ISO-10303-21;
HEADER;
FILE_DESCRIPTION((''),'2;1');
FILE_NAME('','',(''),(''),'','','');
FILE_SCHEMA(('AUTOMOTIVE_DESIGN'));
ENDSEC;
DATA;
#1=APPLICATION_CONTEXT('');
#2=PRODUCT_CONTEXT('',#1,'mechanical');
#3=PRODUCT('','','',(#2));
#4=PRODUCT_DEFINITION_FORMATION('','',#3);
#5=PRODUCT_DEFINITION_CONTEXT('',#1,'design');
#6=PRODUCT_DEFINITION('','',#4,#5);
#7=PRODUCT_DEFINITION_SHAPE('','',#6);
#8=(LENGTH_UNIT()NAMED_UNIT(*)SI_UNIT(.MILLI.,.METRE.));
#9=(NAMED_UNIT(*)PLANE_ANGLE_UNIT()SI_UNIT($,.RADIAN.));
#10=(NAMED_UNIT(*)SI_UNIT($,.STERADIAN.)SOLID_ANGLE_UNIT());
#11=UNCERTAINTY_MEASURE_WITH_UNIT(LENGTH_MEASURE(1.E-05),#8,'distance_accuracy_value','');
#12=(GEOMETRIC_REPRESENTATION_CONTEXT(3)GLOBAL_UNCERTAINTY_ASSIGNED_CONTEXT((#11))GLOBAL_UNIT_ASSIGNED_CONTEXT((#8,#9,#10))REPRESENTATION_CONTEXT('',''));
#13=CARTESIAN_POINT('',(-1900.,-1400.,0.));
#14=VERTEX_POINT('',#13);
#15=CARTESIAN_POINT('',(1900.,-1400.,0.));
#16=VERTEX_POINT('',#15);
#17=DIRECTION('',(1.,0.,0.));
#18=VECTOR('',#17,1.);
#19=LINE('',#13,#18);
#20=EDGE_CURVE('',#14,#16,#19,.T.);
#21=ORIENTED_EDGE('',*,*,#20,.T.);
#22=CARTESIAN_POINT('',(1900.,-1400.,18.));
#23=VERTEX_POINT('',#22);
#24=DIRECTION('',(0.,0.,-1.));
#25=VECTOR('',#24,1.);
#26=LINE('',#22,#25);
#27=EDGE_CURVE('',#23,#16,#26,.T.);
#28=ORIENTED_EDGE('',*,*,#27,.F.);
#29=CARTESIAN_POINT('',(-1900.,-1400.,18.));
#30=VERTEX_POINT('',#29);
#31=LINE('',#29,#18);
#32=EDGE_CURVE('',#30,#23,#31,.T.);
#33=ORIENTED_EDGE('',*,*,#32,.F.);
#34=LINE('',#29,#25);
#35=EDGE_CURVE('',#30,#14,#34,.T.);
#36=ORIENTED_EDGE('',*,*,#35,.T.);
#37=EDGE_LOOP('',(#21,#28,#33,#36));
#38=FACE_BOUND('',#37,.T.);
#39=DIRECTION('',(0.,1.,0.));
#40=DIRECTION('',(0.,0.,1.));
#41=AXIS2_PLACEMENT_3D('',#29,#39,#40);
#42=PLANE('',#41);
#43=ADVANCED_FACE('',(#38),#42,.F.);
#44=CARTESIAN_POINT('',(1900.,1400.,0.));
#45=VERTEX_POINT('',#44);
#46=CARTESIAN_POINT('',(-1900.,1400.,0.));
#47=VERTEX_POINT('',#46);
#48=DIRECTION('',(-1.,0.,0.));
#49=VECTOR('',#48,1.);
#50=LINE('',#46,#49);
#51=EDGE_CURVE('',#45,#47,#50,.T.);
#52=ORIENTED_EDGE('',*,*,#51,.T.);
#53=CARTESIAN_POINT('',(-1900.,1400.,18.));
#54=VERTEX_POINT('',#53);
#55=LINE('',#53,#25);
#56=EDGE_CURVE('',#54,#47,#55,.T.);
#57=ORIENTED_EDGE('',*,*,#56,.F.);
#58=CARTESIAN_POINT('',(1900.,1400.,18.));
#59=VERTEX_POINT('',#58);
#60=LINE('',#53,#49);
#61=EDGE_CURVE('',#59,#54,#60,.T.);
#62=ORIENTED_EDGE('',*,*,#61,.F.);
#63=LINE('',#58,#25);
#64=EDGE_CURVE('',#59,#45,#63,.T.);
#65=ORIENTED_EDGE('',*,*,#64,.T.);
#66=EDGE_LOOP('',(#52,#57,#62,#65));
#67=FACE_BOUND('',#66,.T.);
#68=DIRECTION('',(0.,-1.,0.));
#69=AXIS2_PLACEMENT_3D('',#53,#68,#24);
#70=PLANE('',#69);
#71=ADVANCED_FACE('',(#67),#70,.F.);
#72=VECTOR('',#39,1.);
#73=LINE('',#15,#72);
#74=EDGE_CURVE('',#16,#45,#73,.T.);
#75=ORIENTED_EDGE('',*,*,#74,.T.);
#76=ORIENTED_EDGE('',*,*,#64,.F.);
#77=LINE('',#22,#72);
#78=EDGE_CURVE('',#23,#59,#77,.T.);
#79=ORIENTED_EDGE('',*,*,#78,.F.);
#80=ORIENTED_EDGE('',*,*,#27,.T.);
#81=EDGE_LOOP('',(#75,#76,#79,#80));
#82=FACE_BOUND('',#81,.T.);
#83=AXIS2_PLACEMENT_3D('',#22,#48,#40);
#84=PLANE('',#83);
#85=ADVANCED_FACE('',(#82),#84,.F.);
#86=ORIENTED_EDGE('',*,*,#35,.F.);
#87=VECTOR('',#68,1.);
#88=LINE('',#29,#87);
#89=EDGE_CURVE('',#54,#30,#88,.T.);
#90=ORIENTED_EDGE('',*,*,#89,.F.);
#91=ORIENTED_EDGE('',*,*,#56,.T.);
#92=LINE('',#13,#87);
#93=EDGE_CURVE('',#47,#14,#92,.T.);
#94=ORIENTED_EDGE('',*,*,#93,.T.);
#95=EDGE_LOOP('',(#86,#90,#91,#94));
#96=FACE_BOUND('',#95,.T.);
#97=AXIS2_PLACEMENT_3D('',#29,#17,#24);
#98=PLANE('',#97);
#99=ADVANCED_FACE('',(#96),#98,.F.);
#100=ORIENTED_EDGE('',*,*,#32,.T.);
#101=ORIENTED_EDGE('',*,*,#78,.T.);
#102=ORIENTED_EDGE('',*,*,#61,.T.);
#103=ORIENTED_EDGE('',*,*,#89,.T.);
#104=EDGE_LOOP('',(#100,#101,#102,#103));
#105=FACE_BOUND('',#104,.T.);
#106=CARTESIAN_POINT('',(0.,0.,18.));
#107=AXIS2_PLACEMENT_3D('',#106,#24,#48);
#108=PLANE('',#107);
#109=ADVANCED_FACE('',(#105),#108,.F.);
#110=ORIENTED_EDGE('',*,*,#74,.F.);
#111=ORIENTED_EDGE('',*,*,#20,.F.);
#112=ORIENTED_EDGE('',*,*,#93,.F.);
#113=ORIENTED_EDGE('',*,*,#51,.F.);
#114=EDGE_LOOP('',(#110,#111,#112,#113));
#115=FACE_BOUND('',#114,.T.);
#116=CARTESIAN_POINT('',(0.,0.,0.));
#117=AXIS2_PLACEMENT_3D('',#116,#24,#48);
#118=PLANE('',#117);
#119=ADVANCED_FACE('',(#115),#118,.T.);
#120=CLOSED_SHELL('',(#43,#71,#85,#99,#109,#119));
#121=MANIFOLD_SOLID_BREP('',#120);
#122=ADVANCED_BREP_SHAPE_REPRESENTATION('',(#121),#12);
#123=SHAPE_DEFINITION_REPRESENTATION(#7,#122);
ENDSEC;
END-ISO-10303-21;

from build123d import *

# Parameters (mm, degrees)
SKETCH_1_W      = 3800
SKETCH_1_H      = 2800
EXTRUDE_1_DEPTH = 18


with BuildPart() as part:
    # Эскиз1 → Бобышка-Вытянуть1 (new body)
    with BuildSketch(Plane.XY):
        Rectangle(SKETCH_1_W, SKETCH_1_H)
    extrude(amount=EXTRUDE_1_DEPTH)


solid = part.part
